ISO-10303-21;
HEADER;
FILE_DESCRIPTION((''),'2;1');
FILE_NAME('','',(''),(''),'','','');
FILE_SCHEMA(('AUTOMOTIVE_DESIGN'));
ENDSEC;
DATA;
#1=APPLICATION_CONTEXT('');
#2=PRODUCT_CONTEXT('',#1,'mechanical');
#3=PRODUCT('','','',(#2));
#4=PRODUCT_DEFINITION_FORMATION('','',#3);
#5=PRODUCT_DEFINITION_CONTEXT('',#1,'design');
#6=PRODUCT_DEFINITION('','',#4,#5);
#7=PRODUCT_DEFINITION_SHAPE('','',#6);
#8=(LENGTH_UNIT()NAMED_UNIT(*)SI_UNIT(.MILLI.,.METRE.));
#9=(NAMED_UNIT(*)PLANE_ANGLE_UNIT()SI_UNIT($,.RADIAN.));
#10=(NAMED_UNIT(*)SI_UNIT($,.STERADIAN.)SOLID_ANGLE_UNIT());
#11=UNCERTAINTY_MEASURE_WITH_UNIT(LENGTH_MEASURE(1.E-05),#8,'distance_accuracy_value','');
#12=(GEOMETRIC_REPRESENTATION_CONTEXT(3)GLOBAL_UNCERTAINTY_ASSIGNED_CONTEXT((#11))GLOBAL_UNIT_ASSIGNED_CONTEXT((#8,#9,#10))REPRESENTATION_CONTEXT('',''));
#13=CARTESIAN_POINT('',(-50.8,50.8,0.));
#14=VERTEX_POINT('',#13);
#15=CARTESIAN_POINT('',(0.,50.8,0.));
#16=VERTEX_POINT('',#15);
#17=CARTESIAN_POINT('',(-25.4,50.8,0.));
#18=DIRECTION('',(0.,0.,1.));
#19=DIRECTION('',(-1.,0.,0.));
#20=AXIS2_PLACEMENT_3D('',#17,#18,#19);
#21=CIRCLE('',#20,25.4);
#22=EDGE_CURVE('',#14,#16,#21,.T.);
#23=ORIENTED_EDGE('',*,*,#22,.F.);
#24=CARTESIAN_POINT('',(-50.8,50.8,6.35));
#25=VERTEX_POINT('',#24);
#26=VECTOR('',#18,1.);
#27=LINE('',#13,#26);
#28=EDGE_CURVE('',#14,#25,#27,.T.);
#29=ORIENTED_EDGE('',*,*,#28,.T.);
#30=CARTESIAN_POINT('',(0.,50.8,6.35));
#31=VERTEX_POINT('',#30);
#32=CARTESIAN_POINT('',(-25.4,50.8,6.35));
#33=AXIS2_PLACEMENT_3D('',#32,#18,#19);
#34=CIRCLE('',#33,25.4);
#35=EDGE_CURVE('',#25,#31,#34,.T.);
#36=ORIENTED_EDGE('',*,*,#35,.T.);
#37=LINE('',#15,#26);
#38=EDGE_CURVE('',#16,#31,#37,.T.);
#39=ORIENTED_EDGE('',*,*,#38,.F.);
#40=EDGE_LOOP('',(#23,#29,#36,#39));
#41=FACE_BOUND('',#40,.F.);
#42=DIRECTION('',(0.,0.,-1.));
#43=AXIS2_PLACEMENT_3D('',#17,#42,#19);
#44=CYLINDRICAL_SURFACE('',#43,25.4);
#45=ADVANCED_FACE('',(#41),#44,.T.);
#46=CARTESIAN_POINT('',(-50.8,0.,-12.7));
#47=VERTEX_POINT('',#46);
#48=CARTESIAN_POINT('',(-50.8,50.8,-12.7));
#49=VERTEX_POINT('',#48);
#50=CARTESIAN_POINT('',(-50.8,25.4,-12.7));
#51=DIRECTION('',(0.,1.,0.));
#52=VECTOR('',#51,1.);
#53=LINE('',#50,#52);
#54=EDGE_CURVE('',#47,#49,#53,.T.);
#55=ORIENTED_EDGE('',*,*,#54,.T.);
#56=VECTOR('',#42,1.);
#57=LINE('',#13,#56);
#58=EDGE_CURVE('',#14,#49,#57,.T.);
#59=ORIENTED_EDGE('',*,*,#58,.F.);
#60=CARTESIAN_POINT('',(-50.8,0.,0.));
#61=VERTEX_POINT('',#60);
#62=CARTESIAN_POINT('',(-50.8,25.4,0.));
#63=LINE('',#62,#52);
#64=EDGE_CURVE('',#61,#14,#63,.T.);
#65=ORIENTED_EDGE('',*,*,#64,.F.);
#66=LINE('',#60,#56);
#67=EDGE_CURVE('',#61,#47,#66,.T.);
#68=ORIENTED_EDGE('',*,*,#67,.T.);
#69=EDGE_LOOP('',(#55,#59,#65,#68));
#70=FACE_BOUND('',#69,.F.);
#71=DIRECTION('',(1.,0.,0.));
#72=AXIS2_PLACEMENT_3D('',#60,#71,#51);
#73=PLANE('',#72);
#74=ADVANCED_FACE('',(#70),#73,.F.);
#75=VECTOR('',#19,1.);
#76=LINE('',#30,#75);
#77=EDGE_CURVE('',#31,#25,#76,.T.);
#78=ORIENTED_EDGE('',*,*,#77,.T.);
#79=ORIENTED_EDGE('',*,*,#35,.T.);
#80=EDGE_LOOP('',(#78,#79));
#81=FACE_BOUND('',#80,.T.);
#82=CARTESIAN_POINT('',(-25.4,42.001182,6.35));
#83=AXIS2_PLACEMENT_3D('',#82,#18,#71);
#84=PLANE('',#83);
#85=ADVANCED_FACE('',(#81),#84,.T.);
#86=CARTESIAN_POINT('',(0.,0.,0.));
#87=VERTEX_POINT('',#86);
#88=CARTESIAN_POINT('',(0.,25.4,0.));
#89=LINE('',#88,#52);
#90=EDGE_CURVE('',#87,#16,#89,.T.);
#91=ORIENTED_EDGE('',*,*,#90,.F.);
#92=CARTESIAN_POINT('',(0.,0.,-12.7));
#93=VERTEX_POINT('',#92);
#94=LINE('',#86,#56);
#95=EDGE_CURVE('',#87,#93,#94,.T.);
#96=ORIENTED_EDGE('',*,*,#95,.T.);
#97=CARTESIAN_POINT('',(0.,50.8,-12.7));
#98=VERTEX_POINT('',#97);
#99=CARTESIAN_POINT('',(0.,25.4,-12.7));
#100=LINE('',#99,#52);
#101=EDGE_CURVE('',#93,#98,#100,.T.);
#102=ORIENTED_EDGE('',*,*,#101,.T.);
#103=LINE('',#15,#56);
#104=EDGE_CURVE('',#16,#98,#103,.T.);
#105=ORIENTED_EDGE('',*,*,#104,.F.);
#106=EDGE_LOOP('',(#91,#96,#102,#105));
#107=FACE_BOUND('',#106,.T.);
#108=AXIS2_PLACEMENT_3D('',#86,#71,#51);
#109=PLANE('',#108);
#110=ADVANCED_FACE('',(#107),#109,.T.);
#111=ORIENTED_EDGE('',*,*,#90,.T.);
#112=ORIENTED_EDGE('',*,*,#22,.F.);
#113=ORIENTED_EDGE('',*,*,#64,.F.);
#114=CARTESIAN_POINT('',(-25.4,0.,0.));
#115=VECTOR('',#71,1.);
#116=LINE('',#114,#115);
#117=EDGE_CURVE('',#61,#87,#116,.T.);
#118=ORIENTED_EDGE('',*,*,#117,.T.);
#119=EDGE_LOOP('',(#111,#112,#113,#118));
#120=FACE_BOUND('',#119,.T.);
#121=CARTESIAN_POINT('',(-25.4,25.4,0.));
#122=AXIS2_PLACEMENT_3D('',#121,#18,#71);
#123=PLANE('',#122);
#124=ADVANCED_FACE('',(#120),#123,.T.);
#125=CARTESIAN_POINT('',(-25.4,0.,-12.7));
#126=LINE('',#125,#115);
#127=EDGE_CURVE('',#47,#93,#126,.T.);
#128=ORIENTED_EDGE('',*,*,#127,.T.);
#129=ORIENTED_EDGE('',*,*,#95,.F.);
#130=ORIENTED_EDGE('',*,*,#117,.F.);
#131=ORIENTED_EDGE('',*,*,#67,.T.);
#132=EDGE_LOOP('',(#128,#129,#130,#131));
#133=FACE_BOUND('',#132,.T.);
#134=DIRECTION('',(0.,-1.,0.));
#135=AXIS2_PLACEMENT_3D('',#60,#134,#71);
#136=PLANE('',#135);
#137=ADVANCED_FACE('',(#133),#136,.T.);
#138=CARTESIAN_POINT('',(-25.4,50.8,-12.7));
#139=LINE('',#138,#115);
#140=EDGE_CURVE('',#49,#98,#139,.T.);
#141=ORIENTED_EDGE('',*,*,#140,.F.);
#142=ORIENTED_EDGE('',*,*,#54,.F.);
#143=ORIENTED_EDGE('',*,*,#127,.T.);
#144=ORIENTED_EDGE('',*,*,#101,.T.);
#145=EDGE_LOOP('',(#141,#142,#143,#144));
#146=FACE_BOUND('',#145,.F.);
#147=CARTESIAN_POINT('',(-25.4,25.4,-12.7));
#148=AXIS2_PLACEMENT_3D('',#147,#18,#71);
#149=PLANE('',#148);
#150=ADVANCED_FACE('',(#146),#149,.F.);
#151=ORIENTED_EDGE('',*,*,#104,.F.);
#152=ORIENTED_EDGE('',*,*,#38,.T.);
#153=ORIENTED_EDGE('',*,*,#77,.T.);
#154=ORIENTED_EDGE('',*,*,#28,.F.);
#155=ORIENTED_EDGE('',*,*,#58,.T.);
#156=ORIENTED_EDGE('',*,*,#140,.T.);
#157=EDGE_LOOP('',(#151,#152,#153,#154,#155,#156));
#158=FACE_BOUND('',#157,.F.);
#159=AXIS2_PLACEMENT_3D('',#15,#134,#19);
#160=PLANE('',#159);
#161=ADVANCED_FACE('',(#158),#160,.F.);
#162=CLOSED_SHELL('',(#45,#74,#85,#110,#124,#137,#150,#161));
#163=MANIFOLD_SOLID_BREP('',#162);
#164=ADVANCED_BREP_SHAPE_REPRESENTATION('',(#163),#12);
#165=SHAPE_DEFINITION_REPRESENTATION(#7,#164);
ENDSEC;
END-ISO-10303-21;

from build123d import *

# Parameters (mm, degrees)
F0_W     = 50.8
F0_H     = 50.8
F1_DEPTH = 12.7
F3_DEPTH = 6.35


with BuildPart() as f1:
    # F0 (on Top) → F1 (new body)
    with BuildSketch(Plane.XY):
        with Locations((-25.4, 25.4)):
            Rectangle(F0_W, F0_H)
    extrude(amount=-F1_DEPTH)

    # F2 (on face) → F3 (join)
    with BuildSketch(Plane.XY):
        with BuildLine():
            Line((0, 50.8), (-50.8, 50.8))
            ThreePointArc((-50.8, 50.8), (-25.4, 25.4), (0, 50.8))
        make_face()
    extrude(amount=F3_DEPTH)


solid = f1.part
